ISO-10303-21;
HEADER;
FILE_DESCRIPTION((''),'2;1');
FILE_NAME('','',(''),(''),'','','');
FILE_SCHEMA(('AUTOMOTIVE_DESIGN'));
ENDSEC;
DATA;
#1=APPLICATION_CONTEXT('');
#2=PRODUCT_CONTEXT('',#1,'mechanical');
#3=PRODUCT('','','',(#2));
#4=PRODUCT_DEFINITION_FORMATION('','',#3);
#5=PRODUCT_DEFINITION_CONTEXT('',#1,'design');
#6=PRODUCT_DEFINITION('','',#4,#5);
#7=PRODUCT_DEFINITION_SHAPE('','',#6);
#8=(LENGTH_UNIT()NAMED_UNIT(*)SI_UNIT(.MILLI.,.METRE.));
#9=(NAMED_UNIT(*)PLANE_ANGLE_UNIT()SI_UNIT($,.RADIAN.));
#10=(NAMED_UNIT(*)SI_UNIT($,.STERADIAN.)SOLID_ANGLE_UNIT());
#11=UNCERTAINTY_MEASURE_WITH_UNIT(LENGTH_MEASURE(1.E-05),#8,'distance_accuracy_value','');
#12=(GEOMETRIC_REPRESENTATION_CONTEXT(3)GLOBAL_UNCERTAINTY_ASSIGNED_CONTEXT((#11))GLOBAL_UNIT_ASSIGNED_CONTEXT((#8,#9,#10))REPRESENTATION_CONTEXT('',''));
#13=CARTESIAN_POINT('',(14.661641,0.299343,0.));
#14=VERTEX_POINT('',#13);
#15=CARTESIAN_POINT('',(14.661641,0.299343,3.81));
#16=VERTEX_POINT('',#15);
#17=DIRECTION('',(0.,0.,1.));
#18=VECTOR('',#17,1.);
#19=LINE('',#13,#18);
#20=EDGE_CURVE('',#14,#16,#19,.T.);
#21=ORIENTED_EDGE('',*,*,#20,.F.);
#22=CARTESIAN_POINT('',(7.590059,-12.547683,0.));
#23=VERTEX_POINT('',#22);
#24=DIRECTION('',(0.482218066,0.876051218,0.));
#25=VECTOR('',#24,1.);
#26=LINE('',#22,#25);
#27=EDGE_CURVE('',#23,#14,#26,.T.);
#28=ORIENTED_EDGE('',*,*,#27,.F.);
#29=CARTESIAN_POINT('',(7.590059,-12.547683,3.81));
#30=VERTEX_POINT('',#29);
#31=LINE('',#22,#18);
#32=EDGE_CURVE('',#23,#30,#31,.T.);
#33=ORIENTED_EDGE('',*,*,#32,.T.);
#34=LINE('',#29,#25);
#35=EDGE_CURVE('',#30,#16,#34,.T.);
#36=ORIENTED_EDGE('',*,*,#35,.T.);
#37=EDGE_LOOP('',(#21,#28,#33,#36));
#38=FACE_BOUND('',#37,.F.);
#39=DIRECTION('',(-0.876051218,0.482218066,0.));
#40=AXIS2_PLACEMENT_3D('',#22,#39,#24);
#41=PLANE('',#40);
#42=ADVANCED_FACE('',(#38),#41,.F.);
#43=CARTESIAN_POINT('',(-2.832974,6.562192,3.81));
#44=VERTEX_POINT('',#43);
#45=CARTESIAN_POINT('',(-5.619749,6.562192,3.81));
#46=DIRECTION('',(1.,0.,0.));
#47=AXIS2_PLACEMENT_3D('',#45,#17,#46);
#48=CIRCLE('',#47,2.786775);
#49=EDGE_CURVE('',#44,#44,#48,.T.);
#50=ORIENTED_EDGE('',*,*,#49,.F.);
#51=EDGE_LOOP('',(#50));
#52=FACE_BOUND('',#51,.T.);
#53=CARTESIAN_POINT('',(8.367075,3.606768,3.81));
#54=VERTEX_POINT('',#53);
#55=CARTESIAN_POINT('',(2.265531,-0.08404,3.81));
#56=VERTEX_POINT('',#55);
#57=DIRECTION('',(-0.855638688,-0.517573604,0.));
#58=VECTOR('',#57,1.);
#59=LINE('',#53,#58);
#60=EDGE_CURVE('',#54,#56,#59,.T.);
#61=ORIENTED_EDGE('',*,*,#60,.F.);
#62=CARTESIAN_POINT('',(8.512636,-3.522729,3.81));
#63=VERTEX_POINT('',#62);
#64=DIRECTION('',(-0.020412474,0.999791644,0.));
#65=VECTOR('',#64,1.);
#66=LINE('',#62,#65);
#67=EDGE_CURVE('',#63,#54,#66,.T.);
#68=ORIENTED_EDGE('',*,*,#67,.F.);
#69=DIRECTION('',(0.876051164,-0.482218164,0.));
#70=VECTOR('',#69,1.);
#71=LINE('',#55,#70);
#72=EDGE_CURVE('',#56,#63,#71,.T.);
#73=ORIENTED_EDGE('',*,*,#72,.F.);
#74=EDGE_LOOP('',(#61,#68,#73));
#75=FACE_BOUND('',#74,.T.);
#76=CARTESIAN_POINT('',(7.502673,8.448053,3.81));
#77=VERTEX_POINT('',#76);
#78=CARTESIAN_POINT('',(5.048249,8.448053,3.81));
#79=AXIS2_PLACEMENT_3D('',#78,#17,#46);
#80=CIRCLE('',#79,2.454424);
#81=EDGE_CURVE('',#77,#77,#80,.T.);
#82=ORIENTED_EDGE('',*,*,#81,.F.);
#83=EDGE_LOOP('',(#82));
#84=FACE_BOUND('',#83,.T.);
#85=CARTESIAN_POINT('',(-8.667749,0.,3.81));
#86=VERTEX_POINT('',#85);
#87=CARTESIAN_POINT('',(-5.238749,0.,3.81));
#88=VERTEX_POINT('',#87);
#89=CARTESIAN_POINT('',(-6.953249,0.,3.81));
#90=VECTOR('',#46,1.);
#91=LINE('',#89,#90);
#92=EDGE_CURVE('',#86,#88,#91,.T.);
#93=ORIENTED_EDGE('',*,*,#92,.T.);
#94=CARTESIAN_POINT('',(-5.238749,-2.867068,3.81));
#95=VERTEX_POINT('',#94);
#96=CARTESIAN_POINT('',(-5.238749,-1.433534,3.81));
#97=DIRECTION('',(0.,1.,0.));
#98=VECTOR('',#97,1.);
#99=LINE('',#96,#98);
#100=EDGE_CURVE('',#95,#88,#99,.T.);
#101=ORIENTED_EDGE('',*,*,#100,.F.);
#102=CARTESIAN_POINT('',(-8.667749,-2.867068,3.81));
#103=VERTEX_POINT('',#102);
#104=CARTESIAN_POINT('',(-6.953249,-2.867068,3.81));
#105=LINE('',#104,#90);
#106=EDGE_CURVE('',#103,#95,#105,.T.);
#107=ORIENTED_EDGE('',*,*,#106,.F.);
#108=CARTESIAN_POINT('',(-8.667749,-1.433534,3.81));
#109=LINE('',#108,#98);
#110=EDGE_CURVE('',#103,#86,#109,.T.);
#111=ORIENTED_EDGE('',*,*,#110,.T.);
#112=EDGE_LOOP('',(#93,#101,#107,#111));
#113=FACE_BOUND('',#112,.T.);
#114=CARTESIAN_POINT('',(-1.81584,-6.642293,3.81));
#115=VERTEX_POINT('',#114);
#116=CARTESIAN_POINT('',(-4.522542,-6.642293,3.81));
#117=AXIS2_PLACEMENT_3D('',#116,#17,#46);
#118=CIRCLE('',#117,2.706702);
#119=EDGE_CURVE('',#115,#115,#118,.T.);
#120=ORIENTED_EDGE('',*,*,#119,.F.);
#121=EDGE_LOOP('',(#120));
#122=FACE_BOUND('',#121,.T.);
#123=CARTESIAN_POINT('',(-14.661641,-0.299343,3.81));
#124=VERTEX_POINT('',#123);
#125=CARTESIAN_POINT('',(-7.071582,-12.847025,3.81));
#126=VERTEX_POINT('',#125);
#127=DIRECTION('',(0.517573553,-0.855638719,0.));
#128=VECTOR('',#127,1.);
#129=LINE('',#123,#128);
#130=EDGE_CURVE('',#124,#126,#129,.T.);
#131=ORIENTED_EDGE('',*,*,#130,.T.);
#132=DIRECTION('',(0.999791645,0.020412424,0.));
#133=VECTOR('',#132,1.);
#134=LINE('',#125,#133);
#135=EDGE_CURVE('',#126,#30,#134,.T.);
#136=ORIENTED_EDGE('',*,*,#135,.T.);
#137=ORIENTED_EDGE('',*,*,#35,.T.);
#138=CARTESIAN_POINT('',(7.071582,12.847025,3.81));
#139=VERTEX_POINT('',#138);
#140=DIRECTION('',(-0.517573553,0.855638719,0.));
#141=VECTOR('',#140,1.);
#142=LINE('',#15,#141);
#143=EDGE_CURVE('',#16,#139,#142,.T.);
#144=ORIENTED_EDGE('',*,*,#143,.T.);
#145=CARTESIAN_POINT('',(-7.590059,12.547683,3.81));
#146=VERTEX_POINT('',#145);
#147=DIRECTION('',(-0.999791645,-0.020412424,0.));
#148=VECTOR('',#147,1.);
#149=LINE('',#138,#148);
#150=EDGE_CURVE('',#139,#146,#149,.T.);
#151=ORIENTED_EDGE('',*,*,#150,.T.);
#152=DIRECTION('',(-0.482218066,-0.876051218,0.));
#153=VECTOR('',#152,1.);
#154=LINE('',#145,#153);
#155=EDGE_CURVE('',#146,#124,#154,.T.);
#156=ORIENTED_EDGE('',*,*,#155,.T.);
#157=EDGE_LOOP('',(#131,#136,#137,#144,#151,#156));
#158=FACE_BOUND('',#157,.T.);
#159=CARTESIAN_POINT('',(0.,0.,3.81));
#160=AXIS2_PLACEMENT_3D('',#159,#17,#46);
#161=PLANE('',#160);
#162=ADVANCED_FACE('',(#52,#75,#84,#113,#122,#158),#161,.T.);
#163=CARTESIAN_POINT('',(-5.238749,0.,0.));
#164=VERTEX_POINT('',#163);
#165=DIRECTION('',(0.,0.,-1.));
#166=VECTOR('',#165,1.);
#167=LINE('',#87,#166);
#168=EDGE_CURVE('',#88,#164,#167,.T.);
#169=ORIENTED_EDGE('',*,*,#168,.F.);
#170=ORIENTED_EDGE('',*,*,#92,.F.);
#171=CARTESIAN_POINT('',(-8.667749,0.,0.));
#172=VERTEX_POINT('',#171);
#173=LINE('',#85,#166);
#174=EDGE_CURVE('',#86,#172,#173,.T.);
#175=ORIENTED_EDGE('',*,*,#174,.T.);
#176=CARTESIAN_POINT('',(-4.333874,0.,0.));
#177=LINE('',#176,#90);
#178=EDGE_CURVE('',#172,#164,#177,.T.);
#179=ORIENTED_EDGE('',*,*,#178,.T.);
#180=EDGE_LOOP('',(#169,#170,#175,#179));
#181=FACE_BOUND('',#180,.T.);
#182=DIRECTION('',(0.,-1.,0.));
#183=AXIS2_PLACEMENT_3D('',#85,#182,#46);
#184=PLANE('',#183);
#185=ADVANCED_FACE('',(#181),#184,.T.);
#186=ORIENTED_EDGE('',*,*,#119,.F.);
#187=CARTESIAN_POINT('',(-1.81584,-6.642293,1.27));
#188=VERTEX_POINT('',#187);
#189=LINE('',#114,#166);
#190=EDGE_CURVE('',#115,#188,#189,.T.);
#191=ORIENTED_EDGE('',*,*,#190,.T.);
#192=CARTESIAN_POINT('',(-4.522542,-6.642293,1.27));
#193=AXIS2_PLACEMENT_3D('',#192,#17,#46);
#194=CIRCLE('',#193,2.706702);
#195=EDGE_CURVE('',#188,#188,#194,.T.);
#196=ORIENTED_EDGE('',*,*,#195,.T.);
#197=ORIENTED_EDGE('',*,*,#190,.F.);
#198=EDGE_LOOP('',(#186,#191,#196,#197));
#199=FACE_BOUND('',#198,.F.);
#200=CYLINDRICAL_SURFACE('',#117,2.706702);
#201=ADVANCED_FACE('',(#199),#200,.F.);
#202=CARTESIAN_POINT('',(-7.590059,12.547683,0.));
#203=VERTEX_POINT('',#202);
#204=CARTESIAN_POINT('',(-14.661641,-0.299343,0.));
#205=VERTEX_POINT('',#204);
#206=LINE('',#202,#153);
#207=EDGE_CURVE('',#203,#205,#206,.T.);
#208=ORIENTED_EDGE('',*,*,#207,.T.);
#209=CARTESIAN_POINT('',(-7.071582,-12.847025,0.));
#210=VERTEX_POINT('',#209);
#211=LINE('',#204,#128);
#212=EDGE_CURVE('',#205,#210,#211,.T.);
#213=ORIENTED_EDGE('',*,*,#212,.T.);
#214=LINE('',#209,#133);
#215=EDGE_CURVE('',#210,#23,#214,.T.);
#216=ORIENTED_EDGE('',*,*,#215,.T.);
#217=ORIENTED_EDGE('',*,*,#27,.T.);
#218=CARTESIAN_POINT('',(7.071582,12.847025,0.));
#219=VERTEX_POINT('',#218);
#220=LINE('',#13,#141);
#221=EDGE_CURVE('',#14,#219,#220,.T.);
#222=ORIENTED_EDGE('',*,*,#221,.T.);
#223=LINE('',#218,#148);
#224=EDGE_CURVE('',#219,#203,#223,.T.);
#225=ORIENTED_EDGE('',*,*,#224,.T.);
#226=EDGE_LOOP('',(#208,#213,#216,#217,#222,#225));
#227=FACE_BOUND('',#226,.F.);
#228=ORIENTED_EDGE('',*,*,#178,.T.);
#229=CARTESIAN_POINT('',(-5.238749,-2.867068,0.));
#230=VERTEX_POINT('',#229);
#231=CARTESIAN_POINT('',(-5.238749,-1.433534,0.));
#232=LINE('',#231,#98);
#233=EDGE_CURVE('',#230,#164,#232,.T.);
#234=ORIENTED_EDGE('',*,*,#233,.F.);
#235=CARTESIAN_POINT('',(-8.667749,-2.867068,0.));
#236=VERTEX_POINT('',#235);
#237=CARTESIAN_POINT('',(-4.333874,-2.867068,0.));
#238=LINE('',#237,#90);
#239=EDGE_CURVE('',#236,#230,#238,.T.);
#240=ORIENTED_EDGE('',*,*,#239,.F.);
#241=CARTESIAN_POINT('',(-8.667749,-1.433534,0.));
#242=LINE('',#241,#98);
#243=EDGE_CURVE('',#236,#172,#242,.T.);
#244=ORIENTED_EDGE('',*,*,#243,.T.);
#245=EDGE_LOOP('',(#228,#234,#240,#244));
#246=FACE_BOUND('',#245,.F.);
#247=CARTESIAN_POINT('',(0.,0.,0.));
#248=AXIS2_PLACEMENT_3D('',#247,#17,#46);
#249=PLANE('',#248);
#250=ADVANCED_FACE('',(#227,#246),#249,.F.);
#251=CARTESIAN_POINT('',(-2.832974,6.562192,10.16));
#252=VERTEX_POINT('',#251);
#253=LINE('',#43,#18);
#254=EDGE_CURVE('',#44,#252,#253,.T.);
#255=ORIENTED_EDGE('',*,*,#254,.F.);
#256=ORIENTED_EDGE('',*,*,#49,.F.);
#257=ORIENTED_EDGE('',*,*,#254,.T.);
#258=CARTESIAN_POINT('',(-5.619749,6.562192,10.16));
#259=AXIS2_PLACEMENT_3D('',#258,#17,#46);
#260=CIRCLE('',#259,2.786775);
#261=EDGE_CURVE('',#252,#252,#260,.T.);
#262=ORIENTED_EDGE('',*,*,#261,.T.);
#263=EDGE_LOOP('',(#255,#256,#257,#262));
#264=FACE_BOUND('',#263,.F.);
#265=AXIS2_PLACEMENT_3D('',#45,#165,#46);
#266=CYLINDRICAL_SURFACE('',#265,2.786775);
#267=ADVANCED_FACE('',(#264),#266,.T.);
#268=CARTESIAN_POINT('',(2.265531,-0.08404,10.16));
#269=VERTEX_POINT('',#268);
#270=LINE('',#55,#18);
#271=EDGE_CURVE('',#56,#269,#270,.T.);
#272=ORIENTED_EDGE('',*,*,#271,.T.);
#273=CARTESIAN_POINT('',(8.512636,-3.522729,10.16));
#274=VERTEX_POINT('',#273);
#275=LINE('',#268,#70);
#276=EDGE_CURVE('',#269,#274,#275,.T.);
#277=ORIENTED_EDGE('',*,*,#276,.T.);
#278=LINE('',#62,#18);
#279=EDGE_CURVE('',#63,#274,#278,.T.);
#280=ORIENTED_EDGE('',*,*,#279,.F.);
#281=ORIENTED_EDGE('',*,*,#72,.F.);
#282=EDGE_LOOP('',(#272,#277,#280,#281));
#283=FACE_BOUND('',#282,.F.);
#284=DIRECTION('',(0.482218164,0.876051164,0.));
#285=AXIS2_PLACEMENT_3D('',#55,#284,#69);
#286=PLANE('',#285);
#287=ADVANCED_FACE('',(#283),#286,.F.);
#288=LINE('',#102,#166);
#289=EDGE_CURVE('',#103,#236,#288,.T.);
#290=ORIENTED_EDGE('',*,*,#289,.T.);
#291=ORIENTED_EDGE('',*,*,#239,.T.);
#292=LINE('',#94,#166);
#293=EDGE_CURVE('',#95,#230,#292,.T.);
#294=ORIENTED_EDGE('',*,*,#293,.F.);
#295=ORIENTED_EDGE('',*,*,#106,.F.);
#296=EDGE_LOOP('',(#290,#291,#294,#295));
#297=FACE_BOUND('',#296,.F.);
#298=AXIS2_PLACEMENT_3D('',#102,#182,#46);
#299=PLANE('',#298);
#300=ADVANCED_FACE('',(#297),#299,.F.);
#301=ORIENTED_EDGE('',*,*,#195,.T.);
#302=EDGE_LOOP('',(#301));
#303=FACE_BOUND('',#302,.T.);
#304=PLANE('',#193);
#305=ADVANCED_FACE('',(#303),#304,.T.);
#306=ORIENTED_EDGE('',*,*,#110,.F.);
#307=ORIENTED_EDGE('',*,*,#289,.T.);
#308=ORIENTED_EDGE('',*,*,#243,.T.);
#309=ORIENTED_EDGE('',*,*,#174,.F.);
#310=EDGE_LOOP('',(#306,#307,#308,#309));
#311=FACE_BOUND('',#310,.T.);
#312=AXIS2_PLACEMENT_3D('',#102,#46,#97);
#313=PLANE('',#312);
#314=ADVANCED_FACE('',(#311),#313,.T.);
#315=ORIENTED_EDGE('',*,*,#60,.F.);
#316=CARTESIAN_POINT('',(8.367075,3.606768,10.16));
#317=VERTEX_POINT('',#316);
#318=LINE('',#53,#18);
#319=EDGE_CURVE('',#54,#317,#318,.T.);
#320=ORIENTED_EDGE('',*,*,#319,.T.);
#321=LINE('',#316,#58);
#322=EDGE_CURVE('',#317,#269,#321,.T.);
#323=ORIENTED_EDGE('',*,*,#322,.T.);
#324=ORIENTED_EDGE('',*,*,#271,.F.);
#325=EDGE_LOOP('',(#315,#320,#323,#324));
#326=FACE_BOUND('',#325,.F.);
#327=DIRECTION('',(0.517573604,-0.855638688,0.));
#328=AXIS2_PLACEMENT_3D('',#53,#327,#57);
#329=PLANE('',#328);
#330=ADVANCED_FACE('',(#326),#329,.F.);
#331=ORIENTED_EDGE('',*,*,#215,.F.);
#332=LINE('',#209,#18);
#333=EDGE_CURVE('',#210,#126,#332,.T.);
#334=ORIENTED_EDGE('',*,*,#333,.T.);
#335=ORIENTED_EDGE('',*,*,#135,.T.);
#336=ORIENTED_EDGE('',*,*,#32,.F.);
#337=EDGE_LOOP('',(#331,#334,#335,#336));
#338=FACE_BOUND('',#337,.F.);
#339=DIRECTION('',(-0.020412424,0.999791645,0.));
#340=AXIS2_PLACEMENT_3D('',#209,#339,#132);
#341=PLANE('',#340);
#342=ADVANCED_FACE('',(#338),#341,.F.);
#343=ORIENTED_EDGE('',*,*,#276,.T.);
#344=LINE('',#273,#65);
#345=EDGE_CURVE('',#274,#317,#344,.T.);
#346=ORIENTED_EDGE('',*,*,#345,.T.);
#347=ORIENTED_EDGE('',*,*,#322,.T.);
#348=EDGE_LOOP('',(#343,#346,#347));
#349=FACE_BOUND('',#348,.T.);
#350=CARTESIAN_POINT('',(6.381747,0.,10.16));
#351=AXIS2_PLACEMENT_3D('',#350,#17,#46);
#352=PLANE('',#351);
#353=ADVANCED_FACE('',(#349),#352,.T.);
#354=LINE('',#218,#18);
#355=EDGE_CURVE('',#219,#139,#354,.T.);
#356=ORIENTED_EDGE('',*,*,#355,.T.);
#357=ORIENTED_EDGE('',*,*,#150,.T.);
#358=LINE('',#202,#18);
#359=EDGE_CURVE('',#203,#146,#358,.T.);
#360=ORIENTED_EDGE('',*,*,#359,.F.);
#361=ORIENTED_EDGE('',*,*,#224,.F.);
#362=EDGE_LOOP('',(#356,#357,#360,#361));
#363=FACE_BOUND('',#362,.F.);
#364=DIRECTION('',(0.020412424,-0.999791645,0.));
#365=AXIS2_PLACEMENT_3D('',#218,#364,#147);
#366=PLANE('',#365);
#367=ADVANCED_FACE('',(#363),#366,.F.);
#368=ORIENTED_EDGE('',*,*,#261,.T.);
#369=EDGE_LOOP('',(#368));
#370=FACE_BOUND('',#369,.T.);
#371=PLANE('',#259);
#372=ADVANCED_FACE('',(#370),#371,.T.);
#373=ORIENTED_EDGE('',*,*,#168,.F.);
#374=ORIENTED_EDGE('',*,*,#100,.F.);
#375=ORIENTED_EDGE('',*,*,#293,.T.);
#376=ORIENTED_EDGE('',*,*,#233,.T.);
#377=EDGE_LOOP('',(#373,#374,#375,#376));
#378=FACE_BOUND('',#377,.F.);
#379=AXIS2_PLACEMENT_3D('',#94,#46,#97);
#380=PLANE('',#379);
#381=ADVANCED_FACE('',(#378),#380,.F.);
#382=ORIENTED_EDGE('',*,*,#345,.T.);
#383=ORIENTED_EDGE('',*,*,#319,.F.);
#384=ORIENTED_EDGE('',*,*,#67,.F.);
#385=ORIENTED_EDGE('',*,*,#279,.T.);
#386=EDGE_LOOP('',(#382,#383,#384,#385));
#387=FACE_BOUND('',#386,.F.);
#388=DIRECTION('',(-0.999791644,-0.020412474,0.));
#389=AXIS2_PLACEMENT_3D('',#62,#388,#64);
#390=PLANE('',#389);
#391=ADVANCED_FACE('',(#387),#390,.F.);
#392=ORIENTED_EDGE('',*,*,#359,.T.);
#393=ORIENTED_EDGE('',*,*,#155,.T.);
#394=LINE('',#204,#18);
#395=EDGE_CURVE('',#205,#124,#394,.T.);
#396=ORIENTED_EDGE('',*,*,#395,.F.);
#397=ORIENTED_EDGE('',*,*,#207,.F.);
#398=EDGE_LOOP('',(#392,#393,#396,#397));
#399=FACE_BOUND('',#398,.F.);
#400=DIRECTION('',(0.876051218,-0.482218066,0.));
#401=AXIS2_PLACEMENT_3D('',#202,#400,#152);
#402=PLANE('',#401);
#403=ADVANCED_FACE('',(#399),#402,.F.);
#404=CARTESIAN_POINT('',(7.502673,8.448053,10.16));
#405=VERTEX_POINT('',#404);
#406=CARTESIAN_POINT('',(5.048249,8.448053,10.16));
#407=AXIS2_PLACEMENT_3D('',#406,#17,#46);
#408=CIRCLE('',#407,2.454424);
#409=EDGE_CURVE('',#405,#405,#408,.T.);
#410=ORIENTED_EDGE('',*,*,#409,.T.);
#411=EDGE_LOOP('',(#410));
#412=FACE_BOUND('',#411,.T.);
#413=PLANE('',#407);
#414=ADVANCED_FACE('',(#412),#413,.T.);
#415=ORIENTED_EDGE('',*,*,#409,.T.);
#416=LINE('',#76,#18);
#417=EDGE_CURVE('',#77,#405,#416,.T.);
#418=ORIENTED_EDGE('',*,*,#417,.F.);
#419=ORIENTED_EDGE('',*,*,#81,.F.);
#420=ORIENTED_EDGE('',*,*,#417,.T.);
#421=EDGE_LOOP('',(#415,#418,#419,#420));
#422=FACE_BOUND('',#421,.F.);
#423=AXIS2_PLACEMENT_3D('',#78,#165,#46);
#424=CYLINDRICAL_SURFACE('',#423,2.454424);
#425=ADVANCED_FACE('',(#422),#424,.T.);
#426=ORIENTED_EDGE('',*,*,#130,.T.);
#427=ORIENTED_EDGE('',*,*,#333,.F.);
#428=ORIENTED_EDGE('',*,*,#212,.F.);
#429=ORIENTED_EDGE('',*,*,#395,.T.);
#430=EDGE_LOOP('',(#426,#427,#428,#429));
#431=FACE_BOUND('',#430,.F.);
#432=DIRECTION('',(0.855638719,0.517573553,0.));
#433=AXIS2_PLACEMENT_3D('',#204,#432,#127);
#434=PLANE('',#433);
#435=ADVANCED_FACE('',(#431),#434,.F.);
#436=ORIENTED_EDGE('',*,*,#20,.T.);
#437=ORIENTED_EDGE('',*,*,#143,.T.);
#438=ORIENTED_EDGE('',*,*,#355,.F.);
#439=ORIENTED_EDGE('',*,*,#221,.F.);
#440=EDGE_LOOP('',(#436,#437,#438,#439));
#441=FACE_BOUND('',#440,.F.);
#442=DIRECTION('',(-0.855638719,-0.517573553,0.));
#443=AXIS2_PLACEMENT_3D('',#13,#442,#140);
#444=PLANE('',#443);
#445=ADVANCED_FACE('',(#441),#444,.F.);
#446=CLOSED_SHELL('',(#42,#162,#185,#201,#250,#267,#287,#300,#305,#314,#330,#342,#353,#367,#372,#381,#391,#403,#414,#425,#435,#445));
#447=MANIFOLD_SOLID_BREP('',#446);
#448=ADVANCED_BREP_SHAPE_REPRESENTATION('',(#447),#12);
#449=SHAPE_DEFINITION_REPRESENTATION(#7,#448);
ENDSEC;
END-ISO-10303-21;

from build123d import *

# Parameters (mm, degrees)
F1_DEPTH = 3.81
F2_R     = 2.786775
F2_R_2   = 2.454424
F3_DEPTH = 6.35
F4_W     = 3.428999
F4_H     = 2.867069
F5_DEPTH = 5.08
F6_R     = 2.706702
F7_DEPTH = 2.54


with BuildPart() as f1:
    # F0 (on Top) → F1 (new body)
    with BuildSketch(Plane.XY):
        Polygon((14.661641, 0.299343), (7.071582, 12.847025), (-7.590059, 12.547683), (-14.661641, -0.299343), (-7.071582, -12.847025), (7.590059, -12.547683), align=None)
    extrude(amount=F1_DEPTH)

    # F2 (on face) → F3 (join)
    with BuildSketch(Plane.XY.offset(3.81)):
        with Locations((-5.619749, 6.562192)):
            Circle(F2_R)
        with Locations((5.048249, 8.448053)):
            Circle(F2_R_2)
        Polygon((8.512636, -3.522729), (8.367075, 3.606768), (2.265531, -0.08404), align=None)
    extrude(amount=F3_DEPTH)

    # F4 (on face) → F5 (cut)
    with BuildSketch(Plane.XY.offset(3.81)):
        with Locations((-6.953249, -1.433534)):
            Rectangle(F4_W, F4_H)
    extrude(amount=-F5_DEPTH, mode=Mode.SUBTRACT)

    # F6 (on face) → F7 (cut)
    with BuildSketch(Plane.XY.offset(3.81)):
        with Locations((-4.522542, -6.642293)):
            Circle(F6_R)
    extrude(amount=-F7_DEPTH, mode=Mode.SUBTRACT)


solid = f1.part
